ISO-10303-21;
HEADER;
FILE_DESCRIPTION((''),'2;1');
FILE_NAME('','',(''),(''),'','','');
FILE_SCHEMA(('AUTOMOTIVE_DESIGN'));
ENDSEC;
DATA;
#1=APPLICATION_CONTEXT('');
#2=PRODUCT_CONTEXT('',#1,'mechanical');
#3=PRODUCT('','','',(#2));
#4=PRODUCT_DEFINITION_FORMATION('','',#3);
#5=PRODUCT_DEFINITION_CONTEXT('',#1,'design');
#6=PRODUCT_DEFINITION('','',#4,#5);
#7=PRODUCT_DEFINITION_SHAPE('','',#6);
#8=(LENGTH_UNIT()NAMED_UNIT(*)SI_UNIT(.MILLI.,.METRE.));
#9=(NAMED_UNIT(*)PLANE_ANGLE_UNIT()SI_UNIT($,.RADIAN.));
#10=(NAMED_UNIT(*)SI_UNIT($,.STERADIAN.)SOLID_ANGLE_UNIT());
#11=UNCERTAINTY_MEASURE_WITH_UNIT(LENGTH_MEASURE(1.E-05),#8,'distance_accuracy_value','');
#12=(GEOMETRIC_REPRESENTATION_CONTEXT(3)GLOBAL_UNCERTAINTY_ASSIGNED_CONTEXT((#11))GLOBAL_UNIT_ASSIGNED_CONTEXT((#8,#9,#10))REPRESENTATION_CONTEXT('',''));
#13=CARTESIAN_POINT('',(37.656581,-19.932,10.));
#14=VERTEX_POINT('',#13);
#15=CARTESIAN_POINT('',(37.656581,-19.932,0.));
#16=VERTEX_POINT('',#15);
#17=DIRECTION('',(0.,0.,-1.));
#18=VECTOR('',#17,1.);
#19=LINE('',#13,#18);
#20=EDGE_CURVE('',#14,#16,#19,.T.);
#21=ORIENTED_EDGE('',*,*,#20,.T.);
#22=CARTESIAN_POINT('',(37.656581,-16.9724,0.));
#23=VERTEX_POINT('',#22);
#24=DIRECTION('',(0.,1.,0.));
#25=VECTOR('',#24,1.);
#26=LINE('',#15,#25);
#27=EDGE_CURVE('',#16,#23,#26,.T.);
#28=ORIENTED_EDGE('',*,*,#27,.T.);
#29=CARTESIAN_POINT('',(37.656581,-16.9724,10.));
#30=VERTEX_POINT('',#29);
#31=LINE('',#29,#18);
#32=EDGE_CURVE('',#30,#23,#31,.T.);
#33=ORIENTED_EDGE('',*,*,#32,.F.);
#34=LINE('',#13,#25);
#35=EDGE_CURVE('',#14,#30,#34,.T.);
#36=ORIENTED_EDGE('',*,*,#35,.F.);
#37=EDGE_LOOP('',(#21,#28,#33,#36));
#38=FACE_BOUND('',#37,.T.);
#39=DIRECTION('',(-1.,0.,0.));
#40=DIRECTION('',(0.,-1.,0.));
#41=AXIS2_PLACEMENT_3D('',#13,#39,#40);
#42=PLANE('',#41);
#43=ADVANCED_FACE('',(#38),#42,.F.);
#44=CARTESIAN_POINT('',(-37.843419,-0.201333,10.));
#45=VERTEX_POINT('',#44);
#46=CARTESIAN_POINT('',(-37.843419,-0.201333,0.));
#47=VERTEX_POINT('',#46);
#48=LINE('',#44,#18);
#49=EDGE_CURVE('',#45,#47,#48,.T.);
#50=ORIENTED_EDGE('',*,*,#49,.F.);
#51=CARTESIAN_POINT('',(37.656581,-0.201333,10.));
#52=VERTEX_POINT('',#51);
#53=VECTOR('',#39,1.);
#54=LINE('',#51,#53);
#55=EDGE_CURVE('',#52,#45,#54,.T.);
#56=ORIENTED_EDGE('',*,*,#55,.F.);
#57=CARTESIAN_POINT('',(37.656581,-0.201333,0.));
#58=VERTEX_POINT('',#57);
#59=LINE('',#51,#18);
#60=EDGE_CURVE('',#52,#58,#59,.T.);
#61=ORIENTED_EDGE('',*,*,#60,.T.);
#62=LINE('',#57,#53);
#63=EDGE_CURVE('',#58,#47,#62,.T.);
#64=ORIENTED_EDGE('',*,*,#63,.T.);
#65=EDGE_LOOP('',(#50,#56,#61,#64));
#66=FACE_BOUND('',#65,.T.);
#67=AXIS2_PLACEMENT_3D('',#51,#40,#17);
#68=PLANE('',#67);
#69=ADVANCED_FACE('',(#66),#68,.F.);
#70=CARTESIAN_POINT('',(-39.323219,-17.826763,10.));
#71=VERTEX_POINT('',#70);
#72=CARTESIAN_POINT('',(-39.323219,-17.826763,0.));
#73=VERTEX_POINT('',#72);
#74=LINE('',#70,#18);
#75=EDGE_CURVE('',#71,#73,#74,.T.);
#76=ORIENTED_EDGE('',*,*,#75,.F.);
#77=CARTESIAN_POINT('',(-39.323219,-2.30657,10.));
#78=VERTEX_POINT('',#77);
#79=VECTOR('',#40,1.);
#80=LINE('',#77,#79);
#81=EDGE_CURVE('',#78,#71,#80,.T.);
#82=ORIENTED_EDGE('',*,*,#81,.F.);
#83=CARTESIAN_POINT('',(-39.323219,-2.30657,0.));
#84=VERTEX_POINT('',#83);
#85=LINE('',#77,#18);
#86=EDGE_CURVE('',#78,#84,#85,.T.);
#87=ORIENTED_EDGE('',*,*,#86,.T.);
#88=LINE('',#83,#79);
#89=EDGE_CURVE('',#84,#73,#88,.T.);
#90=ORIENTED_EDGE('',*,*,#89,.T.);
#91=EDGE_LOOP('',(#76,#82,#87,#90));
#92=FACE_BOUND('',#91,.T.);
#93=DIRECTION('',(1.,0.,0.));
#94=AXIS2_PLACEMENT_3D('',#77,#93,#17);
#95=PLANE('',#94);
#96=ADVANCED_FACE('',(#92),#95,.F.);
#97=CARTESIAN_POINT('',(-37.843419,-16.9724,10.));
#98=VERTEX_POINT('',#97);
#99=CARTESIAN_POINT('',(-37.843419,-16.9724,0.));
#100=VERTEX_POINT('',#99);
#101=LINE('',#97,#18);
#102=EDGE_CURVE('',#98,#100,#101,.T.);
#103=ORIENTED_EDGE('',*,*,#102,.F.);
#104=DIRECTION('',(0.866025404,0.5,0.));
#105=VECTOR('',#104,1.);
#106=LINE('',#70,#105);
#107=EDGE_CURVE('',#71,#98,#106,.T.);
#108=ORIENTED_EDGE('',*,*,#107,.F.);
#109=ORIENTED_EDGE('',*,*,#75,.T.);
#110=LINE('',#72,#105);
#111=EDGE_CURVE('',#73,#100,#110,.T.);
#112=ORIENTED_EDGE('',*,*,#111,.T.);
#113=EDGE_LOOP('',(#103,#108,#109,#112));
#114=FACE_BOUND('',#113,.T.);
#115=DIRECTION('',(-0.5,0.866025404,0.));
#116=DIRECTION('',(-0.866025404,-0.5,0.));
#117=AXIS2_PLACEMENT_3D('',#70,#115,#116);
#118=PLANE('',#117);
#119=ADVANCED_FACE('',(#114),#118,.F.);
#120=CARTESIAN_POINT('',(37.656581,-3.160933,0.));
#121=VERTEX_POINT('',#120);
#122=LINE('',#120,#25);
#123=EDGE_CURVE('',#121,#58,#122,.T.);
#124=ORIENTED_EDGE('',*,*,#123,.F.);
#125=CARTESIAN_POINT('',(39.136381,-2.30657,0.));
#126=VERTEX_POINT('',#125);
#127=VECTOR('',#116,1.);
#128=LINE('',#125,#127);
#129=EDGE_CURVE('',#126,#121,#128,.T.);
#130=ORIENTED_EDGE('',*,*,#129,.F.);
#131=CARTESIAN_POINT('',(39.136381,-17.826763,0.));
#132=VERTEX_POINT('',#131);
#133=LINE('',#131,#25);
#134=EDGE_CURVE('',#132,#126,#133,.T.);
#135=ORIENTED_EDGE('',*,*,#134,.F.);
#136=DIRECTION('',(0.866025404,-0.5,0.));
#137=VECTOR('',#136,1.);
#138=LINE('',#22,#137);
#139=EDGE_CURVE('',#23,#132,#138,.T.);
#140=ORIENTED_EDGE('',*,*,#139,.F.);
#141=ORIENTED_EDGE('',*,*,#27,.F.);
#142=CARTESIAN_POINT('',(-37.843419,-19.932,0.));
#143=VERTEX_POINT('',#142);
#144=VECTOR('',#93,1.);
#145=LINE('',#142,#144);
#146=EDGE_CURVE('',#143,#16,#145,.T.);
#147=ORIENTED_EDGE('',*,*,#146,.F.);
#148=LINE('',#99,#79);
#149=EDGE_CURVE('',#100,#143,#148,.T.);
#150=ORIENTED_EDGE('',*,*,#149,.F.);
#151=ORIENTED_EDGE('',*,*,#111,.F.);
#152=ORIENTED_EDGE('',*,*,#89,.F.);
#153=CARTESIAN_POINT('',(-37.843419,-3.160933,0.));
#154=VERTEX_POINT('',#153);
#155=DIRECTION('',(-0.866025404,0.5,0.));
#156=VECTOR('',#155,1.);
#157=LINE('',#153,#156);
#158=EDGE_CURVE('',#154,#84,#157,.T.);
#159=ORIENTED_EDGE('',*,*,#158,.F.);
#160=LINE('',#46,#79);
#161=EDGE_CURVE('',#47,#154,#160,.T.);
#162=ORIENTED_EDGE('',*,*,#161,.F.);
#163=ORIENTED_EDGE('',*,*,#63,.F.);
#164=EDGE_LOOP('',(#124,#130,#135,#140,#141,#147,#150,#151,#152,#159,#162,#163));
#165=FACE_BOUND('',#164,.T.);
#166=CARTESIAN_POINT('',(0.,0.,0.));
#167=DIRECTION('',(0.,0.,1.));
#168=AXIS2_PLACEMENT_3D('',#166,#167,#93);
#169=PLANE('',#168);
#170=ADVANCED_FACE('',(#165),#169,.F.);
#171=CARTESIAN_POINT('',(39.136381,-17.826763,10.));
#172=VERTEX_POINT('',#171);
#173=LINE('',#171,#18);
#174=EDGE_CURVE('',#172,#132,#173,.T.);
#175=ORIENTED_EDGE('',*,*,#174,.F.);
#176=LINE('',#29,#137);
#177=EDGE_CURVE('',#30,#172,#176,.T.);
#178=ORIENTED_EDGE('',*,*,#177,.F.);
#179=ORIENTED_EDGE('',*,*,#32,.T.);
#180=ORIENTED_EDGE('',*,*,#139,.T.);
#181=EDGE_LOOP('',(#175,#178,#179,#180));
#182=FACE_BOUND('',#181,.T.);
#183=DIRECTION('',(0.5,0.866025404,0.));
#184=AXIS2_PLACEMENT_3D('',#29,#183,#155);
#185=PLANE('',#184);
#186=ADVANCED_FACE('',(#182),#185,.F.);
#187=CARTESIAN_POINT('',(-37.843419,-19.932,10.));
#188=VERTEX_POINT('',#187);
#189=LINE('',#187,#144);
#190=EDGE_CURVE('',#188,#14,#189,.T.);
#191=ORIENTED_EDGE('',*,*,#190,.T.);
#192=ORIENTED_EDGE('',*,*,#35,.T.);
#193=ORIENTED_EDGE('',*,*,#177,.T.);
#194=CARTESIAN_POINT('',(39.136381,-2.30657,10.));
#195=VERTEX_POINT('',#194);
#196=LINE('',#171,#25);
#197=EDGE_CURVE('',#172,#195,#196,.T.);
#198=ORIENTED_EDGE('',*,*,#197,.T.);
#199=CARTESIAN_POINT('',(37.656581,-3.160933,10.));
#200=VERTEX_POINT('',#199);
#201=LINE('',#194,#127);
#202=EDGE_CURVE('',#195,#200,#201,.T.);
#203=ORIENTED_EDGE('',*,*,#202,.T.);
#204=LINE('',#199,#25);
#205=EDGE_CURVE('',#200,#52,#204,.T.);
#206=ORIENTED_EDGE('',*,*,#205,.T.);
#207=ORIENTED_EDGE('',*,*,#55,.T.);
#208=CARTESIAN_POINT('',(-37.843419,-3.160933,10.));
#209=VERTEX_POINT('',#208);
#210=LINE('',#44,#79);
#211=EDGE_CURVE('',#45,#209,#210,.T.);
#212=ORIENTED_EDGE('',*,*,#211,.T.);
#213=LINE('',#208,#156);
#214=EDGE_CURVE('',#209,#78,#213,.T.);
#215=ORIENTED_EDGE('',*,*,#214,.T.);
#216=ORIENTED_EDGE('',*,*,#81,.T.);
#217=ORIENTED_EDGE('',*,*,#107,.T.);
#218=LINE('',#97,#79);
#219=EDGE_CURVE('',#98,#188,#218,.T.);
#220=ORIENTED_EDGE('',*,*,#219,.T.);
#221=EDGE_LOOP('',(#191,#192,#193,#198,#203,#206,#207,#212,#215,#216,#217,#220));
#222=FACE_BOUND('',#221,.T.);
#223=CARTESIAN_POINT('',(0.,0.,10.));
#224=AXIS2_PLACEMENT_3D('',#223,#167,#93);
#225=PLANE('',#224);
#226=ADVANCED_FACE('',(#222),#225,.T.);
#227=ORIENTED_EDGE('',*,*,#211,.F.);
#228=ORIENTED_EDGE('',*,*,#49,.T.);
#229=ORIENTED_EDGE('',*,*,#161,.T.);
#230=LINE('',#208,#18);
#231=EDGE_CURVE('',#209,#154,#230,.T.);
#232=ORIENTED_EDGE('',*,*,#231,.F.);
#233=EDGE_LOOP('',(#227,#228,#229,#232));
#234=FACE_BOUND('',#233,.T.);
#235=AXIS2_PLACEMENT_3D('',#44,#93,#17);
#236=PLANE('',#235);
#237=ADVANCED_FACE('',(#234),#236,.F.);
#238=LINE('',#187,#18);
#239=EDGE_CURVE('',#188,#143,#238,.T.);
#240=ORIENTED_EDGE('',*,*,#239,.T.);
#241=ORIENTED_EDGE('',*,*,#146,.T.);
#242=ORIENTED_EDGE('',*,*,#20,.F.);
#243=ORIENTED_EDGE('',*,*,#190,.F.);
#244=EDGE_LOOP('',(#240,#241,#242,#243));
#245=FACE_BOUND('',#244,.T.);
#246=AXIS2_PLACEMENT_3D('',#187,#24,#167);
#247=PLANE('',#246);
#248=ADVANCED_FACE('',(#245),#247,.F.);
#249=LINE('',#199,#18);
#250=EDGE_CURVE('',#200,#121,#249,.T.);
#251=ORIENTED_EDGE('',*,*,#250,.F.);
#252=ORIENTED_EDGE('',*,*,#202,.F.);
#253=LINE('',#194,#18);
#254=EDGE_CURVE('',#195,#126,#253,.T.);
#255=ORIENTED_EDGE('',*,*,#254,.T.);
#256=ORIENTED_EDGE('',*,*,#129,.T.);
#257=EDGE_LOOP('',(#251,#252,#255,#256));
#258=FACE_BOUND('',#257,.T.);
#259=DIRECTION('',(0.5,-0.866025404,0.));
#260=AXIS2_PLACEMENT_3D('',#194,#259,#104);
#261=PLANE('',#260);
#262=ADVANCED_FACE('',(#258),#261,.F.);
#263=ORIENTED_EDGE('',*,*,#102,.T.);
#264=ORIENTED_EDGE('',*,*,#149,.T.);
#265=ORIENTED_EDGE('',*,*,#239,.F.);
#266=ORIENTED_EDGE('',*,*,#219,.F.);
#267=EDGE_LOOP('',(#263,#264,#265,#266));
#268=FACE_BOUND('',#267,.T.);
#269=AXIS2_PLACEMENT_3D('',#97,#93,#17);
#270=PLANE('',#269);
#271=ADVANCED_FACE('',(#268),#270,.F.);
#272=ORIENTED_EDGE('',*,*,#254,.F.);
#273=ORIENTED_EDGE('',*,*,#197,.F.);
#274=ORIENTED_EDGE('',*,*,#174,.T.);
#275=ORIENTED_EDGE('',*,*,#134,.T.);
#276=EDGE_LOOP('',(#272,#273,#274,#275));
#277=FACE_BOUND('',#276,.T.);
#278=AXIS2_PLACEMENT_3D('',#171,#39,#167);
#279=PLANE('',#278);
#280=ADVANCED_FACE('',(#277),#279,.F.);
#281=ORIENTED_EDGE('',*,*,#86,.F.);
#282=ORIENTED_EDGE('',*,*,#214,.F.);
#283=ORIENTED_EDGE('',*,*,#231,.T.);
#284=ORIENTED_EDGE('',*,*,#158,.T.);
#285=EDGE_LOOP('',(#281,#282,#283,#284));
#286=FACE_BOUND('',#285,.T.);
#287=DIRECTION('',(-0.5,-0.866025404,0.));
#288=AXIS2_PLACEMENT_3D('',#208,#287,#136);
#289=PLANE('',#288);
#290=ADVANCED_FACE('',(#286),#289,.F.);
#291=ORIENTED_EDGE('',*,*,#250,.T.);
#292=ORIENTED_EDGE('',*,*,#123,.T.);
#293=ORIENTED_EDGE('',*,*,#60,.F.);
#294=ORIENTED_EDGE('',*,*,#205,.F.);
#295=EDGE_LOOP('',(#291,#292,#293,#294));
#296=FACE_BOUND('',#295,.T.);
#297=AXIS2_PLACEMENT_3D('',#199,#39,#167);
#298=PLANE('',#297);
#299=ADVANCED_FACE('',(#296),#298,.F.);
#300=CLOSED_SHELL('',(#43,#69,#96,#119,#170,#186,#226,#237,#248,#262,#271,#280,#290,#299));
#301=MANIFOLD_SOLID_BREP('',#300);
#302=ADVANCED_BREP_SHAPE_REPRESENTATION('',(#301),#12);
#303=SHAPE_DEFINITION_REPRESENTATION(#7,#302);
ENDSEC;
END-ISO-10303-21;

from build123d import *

# Parameters (mm, degrees)
BOSS_EXTRUDE1_DEPTH = 10


with BuildPart() as part:
    # Sketch1 → Boss-Extrude1 (new body)
    with BuildSketch(Plane.XY):
        Polygon((-37.843418667, -19.932), (37.656581333, -19.932), (37.656581333, -16.9724), (39.136381333, -17.826762928), (39.136381333, -2.306570405), (37.656581333, -3.160933333), (37.656581333, -0.201333333), (-37.843418667, -0.201333333), (-37.843418667, -3.160933333), (-39.323218667, -2.306570405), (-39.323218667, -17.826762928), (-37.843418667, -16.9724), align=None)
    extrude(amount=BOSS_EXTRUDE1_DEPTH)


solid = part.part
